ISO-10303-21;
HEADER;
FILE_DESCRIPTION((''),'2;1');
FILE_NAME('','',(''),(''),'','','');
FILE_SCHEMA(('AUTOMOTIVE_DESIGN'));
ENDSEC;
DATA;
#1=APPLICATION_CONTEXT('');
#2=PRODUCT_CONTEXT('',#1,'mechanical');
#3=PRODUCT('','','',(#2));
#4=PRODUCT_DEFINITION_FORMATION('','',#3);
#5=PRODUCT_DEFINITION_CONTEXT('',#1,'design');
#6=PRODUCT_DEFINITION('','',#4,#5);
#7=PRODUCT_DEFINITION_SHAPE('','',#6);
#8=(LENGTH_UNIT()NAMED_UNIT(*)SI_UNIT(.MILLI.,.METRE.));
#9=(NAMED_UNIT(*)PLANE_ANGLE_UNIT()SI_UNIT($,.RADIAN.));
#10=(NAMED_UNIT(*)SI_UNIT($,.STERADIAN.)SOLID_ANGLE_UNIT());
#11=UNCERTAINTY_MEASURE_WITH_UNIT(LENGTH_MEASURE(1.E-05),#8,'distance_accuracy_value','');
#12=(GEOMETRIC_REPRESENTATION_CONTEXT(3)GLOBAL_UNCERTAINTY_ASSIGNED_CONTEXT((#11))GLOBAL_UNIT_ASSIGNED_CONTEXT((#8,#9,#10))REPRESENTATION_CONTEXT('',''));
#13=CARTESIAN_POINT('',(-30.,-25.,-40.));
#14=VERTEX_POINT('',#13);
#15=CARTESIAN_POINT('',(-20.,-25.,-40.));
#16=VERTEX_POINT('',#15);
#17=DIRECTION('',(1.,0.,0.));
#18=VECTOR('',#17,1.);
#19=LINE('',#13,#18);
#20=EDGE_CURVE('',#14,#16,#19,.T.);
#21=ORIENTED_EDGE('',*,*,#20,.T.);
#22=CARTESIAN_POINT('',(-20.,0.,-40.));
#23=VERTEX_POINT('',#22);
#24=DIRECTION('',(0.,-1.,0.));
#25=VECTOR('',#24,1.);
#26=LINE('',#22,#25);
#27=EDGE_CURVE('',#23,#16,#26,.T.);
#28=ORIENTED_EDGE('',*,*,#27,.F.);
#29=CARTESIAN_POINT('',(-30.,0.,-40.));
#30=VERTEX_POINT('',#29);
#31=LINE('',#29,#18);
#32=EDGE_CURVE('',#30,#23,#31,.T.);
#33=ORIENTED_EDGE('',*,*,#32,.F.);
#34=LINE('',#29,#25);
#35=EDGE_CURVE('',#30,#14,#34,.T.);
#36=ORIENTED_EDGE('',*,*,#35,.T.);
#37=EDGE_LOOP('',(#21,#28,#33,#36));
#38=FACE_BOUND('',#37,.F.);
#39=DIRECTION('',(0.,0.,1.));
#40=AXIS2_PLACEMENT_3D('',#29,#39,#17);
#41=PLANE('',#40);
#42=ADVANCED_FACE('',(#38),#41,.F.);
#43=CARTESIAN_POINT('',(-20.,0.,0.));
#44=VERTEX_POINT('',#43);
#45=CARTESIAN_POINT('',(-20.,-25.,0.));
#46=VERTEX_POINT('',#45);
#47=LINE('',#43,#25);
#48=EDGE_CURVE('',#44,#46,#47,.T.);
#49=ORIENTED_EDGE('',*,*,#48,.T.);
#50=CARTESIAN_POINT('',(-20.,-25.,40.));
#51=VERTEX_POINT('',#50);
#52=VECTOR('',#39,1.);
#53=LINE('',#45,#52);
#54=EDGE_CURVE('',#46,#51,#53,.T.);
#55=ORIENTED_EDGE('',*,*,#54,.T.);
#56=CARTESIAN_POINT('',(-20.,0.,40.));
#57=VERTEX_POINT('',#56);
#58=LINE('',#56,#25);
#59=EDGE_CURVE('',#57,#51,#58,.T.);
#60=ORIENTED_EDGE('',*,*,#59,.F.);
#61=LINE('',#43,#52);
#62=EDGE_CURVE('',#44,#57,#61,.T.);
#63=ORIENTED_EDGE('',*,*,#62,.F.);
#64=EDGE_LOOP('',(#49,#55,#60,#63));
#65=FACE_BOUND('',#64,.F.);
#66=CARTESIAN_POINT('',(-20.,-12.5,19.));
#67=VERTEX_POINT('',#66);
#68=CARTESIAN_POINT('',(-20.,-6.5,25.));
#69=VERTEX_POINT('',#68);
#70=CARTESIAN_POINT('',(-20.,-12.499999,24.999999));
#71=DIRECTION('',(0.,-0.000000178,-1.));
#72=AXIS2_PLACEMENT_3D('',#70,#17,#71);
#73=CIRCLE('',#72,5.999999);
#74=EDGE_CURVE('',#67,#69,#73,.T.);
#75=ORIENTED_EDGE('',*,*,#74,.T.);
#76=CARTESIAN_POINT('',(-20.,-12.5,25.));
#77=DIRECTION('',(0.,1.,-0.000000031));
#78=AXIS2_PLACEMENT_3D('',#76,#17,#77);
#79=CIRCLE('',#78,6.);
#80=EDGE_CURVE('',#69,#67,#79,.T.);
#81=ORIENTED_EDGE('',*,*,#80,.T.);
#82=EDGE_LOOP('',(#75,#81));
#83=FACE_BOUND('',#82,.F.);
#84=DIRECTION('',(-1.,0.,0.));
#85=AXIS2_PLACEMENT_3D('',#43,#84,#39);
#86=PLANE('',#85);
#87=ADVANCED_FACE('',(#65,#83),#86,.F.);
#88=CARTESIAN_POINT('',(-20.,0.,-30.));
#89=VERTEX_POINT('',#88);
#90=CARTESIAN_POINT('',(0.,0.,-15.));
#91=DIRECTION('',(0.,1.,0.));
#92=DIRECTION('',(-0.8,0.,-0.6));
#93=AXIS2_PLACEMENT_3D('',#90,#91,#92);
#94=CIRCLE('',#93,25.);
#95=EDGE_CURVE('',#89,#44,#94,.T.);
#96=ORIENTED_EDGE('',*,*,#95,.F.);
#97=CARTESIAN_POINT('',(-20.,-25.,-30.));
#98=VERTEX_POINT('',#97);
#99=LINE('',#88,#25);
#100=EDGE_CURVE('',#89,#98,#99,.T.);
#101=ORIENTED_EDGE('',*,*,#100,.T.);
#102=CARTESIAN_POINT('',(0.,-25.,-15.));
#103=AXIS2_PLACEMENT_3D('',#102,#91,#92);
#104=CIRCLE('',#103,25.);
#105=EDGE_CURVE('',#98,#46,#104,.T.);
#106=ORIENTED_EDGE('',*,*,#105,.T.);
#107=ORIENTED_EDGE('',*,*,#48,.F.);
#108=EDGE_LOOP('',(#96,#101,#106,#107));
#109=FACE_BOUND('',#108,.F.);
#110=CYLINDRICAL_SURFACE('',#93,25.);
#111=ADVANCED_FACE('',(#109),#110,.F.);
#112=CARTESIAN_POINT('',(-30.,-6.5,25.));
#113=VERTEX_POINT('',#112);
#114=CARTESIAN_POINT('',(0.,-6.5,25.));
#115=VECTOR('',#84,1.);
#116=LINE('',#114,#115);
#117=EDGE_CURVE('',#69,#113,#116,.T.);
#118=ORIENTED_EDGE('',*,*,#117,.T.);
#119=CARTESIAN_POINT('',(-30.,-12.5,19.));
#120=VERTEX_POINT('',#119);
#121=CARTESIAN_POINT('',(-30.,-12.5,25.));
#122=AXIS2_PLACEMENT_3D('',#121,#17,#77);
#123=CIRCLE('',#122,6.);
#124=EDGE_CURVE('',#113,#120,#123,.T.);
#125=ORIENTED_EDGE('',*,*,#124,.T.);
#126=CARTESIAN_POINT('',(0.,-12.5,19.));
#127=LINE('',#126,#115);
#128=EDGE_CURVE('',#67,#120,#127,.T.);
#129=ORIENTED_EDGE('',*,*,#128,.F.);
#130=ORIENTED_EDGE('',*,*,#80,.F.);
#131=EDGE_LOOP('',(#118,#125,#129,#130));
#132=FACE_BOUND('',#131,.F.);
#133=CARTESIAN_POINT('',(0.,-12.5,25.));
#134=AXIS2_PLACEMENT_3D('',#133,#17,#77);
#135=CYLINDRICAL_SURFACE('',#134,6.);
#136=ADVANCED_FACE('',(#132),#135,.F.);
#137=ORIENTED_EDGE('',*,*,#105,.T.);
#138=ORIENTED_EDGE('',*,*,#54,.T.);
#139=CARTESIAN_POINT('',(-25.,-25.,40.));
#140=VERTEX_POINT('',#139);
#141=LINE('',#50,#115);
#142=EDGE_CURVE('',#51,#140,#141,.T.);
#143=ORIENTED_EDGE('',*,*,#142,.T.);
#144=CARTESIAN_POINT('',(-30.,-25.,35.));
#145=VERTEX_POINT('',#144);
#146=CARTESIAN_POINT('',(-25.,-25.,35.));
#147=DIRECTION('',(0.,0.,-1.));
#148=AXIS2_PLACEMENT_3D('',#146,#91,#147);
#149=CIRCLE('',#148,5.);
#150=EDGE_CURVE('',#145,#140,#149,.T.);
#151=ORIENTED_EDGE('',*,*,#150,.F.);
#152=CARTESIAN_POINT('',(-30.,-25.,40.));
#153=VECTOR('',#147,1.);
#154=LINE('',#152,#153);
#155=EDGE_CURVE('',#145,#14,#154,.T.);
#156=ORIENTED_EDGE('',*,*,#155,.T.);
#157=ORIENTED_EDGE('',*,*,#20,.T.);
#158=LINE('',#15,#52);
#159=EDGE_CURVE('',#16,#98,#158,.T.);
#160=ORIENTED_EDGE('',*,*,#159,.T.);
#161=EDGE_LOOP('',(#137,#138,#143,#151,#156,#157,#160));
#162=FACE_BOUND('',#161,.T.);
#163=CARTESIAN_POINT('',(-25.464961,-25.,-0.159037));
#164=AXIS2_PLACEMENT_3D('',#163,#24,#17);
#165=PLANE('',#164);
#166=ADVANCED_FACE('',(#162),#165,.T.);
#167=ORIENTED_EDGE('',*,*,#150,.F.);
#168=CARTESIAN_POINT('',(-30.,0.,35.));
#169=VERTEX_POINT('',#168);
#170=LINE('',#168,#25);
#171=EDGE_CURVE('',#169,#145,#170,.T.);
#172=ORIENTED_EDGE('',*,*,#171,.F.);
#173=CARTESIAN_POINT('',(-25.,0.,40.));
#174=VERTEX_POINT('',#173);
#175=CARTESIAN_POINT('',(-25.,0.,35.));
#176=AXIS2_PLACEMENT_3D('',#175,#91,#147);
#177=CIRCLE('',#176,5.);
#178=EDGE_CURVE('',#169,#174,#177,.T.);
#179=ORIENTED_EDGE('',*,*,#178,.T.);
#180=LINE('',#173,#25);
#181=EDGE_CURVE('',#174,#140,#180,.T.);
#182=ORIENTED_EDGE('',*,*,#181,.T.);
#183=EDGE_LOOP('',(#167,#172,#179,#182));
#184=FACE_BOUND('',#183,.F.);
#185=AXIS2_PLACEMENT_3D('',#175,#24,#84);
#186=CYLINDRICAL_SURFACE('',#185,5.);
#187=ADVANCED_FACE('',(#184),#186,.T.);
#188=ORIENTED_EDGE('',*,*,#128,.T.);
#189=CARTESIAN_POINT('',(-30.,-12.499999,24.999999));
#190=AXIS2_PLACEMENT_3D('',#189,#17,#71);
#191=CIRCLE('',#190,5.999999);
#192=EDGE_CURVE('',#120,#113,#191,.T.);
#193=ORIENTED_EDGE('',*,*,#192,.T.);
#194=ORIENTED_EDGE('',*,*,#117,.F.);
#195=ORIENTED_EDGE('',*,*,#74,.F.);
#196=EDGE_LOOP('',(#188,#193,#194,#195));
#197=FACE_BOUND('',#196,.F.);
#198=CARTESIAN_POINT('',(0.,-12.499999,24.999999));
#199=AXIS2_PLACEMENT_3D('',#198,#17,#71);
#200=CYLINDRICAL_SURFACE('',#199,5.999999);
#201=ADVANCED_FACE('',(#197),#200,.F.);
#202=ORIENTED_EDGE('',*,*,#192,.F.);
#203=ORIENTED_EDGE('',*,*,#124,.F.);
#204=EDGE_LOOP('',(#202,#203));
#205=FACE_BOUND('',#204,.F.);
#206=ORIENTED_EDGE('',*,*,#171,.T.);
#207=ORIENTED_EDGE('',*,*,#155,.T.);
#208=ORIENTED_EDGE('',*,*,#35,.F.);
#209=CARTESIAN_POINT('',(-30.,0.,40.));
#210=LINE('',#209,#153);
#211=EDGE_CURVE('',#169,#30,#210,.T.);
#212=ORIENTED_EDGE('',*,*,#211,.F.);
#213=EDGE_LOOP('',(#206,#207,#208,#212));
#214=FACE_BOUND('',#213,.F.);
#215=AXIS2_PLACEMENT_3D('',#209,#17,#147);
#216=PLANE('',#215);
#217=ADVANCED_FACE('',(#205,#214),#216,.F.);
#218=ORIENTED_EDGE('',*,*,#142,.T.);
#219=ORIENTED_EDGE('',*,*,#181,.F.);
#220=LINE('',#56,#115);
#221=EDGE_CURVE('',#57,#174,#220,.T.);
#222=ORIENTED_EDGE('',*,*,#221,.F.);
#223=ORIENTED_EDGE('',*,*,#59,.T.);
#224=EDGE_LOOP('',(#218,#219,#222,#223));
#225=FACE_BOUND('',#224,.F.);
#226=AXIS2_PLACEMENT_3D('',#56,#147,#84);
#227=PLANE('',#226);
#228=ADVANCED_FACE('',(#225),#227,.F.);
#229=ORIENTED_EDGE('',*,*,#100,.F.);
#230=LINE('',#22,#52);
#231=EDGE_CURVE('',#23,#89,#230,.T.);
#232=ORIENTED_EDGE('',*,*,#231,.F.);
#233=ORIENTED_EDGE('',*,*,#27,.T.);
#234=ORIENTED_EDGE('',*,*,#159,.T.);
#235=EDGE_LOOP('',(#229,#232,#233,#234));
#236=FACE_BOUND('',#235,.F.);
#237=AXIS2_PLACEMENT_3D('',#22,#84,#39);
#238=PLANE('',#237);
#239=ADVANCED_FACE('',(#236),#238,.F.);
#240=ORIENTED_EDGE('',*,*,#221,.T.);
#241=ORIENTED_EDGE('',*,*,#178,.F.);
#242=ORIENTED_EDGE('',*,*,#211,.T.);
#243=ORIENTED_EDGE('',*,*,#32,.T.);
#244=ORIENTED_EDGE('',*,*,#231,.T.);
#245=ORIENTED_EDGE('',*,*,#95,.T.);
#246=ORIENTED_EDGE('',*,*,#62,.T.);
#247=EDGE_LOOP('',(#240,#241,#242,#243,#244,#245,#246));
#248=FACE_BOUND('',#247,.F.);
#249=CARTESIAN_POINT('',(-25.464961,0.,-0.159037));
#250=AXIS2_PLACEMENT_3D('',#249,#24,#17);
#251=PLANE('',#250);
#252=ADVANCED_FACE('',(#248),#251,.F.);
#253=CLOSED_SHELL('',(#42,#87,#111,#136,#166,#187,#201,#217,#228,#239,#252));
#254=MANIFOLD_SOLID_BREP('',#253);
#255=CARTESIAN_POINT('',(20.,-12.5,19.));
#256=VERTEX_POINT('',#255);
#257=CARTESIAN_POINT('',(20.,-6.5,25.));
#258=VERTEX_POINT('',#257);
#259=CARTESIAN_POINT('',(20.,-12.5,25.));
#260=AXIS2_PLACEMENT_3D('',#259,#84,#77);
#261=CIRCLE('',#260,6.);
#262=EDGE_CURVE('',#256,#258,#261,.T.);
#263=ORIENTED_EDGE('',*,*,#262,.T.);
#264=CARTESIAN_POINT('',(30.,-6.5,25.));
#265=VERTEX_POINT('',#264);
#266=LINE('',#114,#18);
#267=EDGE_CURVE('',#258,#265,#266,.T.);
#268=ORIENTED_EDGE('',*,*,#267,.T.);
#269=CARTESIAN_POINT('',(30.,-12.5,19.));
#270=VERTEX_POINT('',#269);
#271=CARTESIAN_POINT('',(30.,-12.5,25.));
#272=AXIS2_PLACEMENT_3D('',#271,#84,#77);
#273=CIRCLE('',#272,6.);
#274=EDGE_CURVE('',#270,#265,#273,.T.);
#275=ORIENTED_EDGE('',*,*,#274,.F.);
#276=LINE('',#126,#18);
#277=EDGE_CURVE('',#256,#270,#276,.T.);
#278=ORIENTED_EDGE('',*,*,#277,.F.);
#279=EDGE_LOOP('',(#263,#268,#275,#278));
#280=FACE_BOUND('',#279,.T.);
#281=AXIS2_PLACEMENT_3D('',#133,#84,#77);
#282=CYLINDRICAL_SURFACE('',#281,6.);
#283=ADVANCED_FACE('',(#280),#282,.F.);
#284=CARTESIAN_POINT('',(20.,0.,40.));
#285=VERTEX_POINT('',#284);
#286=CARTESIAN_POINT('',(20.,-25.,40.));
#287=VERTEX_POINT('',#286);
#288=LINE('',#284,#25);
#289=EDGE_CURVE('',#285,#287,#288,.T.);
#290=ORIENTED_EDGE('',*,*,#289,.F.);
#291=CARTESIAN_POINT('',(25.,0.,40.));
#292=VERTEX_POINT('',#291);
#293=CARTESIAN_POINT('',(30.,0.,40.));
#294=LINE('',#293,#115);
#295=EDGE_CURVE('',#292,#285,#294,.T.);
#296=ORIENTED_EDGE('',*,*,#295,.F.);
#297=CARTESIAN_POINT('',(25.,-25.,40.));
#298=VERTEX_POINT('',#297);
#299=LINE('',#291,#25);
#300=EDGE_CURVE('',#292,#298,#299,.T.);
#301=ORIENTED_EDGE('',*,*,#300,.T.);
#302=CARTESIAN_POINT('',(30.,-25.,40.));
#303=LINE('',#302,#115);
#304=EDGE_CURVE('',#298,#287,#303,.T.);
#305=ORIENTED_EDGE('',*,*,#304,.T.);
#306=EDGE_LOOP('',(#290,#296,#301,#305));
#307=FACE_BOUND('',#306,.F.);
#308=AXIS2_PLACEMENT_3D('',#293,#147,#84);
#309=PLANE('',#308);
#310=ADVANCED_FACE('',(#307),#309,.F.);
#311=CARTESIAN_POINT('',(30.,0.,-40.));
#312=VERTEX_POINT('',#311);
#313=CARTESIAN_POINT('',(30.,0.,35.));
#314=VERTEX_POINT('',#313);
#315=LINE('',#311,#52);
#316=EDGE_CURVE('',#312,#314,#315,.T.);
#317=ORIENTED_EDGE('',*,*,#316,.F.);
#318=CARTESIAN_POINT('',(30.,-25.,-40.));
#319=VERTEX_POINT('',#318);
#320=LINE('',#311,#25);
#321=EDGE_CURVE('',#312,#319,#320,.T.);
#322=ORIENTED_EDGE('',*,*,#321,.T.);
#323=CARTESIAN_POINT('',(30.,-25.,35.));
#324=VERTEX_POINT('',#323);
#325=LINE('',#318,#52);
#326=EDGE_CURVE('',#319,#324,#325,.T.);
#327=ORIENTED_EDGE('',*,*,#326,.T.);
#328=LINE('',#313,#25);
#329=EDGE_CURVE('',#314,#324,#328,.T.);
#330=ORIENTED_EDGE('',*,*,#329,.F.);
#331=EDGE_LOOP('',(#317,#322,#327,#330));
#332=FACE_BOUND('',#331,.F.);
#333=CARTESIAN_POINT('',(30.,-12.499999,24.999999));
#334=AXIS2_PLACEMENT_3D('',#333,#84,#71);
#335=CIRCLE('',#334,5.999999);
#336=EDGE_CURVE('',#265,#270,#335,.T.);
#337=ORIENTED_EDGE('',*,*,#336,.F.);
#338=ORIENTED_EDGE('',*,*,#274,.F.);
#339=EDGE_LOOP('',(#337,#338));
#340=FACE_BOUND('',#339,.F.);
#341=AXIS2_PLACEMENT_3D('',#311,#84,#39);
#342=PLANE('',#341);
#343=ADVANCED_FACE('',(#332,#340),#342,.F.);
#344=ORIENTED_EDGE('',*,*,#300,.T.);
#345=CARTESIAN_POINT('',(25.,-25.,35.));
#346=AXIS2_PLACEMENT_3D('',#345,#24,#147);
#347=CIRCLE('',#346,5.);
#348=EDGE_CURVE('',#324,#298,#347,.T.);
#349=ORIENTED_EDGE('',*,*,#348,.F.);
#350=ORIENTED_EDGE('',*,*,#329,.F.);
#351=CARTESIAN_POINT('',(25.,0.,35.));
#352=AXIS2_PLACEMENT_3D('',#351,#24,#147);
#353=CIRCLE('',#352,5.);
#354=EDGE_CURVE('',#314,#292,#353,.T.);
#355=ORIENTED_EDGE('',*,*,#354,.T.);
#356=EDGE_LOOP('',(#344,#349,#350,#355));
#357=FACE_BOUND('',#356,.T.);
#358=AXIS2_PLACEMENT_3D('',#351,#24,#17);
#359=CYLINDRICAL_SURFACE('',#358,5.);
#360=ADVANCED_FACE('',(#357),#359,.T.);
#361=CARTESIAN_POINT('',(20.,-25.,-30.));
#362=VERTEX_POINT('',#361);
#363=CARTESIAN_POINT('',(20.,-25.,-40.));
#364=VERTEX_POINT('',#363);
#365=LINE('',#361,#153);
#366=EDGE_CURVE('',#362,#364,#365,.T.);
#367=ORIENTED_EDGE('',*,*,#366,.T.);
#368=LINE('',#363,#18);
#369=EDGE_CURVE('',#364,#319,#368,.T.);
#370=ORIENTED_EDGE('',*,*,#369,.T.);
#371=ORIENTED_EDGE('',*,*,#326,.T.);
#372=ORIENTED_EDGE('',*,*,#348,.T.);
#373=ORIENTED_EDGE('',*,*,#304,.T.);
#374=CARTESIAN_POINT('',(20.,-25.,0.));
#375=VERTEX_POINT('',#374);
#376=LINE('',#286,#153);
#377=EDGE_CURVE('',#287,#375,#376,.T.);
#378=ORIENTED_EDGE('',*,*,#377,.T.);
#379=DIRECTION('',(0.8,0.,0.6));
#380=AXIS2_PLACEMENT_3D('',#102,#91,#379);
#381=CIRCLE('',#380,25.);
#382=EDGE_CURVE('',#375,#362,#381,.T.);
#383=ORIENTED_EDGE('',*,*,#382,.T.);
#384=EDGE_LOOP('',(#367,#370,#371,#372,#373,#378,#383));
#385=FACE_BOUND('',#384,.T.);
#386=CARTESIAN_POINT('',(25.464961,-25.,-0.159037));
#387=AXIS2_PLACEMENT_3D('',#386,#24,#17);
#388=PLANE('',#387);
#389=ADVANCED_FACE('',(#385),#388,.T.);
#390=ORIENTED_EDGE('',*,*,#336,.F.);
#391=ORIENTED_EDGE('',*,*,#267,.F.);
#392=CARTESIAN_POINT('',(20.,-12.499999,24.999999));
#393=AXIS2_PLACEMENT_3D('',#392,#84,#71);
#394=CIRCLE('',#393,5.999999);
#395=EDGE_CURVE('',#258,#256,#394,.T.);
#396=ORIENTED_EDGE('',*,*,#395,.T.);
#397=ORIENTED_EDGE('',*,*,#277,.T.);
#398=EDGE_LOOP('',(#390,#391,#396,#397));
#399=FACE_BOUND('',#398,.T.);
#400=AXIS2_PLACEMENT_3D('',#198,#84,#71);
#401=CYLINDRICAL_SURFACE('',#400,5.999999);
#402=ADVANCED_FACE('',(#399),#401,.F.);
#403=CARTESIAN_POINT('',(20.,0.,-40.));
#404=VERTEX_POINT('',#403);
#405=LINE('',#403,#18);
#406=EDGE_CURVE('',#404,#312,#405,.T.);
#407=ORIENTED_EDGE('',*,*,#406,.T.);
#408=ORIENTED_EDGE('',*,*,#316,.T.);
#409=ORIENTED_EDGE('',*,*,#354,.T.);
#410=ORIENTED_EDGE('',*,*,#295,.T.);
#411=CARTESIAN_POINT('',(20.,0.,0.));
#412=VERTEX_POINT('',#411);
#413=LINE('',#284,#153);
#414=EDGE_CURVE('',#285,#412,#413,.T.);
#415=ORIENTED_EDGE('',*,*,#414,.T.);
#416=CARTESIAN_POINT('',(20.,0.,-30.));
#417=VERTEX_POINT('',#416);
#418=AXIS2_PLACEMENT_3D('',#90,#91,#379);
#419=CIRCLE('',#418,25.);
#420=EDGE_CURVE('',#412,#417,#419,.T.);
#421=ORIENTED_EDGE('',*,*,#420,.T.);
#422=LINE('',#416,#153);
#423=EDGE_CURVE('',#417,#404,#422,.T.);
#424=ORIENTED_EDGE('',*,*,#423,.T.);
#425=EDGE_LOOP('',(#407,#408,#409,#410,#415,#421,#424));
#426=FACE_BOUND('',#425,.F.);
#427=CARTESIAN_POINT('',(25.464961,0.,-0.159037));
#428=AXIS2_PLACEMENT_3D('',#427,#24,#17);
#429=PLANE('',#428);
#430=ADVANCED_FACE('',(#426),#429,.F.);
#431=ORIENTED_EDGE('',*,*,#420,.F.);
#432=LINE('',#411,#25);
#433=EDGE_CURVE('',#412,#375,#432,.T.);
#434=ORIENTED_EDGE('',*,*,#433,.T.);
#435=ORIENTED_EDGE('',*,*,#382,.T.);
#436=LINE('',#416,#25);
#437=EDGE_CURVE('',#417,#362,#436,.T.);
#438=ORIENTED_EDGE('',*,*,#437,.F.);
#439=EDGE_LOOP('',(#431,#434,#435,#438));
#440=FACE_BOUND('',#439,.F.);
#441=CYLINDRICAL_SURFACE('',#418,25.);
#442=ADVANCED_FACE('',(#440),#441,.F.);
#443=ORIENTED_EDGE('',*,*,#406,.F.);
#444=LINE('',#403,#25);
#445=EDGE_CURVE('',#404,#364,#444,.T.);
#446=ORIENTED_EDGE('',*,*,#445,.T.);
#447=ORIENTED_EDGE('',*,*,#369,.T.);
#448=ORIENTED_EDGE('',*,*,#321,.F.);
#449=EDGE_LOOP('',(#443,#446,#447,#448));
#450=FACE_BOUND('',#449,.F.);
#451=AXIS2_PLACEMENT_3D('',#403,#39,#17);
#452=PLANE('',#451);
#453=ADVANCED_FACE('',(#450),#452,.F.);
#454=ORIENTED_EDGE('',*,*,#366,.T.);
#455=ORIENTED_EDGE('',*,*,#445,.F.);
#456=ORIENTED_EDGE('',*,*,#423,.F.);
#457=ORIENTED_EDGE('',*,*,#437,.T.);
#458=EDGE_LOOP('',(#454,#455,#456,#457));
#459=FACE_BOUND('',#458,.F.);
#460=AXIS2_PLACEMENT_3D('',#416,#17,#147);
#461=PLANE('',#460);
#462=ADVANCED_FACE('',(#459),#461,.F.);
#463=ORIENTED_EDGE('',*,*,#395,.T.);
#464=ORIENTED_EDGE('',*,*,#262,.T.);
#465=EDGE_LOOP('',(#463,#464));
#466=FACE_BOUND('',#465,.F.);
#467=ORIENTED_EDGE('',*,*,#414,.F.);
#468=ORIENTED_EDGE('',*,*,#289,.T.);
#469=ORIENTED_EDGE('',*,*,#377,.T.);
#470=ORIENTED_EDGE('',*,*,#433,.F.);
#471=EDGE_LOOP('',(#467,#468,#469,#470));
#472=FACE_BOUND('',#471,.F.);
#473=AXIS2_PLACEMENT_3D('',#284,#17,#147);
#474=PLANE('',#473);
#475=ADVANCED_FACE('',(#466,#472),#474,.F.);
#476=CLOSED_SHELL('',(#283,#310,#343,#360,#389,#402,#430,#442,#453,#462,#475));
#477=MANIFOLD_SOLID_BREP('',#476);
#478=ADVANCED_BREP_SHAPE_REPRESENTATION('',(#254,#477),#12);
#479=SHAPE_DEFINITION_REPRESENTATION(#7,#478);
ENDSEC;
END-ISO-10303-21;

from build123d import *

# Parameters (mm, degrees)
F1_DEPTH      = 25
F3_DEPTH      = 50
F3_DEPTH_BACK = 30
F4_DEPTH      = 30
F5_R          = 5


with BuildPart() as f1:
    # F0 (on Front) → F1 (new body)
    with BuildSketch(Plane.XZ):
        with BuildLine():
            Line((-30, 40), (-30, -40))
            Line((-30, -40), (-20, -40))
            Line((-20, -40), (-20, -30))
            ThreePointArc((-20, -30), (-25, -15), (-20, 0))
            Line((-20, 0), (-20, 40))
            Line((-20, 40), (-30, 40))
        make_face()
        with BuildLine():
            Line((20, -40), (30, -40))
            Line((30, -40), (30, 40))
            Line((30, 40), (20, 40))
            Line((20, 40), (20, 0))
            ThreePointArc((20, 0), (25, -15), (20, -30))
            Line((20, -30), (20, -40))
        make_face()
    extrude(amount=F1_DEPTH)

    # F2 (on Right) → F3 (cut, two sides)
    with BuildSketch(Plane.YZ) as f3_sk:
        with BuildLine():
            ThreePointArc((-12.5, 19), (-8.257359, 20.757359), (-6.5, 25))
            ThreePointArc((-6.5, 25), (-16.742641, 29.242641), (-12.5, 19))
        make_face()
    extrude(amount=F3_DEPTH, mode=Mode.SUBTRACT)
    extrude(f3_sk.sketch, amount=-F3_DEPTH_BACK, mode=Mode.SUBTRACT)

    # F2 (on Right) → F4 (cut)
    with BuildSketch(Plane.YZ):
        with BuildLine():
            ThreePointArc((-12.5, 19), (-8.257359, 20.757359), (-6.5, 25))
            ThreePointArc((-6.5, 25), (-16.742641, 29.242641), (-12.5, 19))
        make_face()
    extrude(amount=-F4_DEPTH, mode=Mode.SUBTRACT)

    # F5
    f5_edges = [f1.edges().sort_by_distance(p)[0] for p in [
        (30, -12.5, 40),
        (-30, -12.5, 40),
    ]]
    fillet(f5_edges, radius=F5_R)


solid = f1.part
